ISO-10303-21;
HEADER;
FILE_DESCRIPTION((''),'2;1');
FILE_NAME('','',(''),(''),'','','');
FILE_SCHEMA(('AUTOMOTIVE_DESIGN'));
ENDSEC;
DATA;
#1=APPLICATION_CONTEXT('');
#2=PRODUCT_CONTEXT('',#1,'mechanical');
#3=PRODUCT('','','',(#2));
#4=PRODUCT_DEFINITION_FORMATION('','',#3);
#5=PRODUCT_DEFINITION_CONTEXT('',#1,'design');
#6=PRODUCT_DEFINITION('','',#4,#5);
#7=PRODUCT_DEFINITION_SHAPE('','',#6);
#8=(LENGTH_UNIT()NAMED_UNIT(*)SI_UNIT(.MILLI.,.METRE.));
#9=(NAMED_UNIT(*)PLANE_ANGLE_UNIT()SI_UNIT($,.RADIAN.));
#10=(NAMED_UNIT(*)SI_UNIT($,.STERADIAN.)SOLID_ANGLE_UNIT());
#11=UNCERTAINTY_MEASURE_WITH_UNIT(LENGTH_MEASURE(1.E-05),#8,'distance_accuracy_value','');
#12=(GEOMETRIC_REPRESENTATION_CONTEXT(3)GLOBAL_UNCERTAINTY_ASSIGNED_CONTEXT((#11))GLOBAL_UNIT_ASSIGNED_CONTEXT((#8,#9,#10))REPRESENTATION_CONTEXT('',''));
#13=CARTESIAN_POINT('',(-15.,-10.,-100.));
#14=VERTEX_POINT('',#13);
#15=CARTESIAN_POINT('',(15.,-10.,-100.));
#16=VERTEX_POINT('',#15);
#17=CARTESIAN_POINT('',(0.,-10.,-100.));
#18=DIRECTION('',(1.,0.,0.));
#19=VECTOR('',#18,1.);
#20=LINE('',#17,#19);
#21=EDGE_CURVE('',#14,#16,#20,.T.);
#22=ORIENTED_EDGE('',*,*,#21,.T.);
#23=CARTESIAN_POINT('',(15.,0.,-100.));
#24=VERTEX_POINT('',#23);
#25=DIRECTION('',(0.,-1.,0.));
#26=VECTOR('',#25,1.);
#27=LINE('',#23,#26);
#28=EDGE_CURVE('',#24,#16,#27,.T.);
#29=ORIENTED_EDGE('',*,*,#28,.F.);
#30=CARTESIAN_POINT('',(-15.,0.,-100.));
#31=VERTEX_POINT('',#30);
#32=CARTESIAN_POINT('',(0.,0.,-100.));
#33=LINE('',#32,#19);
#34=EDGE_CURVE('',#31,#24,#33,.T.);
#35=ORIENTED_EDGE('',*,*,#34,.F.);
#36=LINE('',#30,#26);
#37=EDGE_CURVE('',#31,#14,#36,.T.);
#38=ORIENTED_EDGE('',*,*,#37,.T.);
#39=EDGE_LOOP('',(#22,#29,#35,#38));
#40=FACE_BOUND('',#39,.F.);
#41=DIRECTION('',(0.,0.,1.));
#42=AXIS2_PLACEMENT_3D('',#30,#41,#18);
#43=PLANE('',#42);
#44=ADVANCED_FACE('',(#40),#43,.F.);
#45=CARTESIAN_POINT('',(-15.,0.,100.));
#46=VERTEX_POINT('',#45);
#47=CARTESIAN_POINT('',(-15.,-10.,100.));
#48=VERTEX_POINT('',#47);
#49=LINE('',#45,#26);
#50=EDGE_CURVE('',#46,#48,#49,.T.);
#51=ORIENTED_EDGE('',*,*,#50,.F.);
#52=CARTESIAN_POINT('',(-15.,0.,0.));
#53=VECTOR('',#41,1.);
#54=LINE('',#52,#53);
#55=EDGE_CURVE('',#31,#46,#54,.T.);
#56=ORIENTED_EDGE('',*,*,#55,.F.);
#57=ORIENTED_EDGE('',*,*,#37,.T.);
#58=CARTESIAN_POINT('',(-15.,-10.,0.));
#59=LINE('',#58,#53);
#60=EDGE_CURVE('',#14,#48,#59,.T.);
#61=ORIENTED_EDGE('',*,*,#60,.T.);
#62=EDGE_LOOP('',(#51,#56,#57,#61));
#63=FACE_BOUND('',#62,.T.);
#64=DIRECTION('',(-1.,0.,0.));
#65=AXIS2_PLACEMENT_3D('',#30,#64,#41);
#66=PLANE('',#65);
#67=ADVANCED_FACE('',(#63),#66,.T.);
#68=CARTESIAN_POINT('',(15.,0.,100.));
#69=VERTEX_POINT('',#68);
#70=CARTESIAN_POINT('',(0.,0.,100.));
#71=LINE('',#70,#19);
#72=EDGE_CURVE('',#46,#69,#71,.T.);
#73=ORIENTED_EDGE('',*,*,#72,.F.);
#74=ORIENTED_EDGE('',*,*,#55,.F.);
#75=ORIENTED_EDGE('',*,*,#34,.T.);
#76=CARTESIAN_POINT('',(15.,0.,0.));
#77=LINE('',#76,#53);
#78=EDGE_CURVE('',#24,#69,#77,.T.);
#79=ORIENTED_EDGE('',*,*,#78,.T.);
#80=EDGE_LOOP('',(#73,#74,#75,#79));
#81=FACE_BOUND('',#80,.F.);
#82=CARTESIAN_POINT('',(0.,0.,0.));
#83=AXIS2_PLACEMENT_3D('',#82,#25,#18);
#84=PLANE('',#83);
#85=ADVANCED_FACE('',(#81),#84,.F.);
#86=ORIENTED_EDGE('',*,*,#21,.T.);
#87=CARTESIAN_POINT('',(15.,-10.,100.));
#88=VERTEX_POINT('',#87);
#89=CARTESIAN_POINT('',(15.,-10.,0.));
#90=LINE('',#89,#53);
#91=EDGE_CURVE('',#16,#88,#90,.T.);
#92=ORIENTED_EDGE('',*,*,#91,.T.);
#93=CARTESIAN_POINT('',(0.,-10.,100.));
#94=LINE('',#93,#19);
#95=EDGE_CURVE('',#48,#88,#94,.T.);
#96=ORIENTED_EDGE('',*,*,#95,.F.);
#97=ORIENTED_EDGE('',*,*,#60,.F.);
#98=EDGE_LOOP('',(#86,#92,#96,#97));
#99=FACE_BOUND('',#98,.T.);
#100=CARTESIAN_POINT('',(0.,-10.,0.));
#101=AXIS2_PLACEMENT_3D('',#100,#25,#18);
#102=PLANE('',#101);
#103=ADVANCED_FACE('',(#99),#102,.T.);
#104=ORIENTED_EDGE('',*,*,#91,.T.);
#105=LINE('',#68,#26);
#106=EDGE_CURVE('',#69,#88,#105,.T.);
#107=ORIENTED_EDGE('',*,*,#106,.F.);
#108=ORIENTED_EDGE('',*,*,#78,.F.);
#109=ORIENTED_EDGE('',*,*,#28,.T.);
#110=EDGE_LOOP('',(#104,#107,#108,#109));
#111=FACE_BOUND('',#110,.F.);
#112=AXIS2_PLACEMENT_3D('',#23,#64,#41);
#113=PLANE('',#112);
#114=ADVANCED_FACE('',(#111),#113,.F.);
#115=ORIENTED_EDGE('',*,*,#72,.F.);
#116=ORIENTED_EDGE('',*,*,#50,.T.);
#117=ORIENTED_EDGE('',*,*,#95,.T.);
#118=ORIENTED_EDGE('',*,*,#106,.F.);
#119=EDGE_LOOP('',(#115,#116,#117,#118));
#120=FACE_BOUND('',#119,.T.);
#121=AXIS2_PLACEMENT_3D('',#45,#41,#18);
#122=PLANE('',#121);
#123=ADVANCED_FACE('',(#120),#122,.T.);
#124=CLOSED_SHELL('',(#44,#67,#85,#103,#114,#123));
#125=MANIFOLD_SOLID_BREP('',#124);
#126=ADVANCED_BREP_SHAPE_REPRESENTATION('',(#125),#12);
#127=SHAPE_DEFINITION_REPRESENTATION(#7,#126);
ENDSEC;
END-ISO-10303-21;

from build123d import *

# Parameters (mm, degrees)
SKETCH_W  = 30
SKETCH_H  = 200
PAD_DEPTH = 10


with BuildPart() as part:
    # Sketch → Pad (new body)
    with BuildSketch(Plane.XZ):
        Rectangle(SKETCH_W, SKETCH_H)
    extrude(amount=PAD_DEPTH)


solid = part.part
